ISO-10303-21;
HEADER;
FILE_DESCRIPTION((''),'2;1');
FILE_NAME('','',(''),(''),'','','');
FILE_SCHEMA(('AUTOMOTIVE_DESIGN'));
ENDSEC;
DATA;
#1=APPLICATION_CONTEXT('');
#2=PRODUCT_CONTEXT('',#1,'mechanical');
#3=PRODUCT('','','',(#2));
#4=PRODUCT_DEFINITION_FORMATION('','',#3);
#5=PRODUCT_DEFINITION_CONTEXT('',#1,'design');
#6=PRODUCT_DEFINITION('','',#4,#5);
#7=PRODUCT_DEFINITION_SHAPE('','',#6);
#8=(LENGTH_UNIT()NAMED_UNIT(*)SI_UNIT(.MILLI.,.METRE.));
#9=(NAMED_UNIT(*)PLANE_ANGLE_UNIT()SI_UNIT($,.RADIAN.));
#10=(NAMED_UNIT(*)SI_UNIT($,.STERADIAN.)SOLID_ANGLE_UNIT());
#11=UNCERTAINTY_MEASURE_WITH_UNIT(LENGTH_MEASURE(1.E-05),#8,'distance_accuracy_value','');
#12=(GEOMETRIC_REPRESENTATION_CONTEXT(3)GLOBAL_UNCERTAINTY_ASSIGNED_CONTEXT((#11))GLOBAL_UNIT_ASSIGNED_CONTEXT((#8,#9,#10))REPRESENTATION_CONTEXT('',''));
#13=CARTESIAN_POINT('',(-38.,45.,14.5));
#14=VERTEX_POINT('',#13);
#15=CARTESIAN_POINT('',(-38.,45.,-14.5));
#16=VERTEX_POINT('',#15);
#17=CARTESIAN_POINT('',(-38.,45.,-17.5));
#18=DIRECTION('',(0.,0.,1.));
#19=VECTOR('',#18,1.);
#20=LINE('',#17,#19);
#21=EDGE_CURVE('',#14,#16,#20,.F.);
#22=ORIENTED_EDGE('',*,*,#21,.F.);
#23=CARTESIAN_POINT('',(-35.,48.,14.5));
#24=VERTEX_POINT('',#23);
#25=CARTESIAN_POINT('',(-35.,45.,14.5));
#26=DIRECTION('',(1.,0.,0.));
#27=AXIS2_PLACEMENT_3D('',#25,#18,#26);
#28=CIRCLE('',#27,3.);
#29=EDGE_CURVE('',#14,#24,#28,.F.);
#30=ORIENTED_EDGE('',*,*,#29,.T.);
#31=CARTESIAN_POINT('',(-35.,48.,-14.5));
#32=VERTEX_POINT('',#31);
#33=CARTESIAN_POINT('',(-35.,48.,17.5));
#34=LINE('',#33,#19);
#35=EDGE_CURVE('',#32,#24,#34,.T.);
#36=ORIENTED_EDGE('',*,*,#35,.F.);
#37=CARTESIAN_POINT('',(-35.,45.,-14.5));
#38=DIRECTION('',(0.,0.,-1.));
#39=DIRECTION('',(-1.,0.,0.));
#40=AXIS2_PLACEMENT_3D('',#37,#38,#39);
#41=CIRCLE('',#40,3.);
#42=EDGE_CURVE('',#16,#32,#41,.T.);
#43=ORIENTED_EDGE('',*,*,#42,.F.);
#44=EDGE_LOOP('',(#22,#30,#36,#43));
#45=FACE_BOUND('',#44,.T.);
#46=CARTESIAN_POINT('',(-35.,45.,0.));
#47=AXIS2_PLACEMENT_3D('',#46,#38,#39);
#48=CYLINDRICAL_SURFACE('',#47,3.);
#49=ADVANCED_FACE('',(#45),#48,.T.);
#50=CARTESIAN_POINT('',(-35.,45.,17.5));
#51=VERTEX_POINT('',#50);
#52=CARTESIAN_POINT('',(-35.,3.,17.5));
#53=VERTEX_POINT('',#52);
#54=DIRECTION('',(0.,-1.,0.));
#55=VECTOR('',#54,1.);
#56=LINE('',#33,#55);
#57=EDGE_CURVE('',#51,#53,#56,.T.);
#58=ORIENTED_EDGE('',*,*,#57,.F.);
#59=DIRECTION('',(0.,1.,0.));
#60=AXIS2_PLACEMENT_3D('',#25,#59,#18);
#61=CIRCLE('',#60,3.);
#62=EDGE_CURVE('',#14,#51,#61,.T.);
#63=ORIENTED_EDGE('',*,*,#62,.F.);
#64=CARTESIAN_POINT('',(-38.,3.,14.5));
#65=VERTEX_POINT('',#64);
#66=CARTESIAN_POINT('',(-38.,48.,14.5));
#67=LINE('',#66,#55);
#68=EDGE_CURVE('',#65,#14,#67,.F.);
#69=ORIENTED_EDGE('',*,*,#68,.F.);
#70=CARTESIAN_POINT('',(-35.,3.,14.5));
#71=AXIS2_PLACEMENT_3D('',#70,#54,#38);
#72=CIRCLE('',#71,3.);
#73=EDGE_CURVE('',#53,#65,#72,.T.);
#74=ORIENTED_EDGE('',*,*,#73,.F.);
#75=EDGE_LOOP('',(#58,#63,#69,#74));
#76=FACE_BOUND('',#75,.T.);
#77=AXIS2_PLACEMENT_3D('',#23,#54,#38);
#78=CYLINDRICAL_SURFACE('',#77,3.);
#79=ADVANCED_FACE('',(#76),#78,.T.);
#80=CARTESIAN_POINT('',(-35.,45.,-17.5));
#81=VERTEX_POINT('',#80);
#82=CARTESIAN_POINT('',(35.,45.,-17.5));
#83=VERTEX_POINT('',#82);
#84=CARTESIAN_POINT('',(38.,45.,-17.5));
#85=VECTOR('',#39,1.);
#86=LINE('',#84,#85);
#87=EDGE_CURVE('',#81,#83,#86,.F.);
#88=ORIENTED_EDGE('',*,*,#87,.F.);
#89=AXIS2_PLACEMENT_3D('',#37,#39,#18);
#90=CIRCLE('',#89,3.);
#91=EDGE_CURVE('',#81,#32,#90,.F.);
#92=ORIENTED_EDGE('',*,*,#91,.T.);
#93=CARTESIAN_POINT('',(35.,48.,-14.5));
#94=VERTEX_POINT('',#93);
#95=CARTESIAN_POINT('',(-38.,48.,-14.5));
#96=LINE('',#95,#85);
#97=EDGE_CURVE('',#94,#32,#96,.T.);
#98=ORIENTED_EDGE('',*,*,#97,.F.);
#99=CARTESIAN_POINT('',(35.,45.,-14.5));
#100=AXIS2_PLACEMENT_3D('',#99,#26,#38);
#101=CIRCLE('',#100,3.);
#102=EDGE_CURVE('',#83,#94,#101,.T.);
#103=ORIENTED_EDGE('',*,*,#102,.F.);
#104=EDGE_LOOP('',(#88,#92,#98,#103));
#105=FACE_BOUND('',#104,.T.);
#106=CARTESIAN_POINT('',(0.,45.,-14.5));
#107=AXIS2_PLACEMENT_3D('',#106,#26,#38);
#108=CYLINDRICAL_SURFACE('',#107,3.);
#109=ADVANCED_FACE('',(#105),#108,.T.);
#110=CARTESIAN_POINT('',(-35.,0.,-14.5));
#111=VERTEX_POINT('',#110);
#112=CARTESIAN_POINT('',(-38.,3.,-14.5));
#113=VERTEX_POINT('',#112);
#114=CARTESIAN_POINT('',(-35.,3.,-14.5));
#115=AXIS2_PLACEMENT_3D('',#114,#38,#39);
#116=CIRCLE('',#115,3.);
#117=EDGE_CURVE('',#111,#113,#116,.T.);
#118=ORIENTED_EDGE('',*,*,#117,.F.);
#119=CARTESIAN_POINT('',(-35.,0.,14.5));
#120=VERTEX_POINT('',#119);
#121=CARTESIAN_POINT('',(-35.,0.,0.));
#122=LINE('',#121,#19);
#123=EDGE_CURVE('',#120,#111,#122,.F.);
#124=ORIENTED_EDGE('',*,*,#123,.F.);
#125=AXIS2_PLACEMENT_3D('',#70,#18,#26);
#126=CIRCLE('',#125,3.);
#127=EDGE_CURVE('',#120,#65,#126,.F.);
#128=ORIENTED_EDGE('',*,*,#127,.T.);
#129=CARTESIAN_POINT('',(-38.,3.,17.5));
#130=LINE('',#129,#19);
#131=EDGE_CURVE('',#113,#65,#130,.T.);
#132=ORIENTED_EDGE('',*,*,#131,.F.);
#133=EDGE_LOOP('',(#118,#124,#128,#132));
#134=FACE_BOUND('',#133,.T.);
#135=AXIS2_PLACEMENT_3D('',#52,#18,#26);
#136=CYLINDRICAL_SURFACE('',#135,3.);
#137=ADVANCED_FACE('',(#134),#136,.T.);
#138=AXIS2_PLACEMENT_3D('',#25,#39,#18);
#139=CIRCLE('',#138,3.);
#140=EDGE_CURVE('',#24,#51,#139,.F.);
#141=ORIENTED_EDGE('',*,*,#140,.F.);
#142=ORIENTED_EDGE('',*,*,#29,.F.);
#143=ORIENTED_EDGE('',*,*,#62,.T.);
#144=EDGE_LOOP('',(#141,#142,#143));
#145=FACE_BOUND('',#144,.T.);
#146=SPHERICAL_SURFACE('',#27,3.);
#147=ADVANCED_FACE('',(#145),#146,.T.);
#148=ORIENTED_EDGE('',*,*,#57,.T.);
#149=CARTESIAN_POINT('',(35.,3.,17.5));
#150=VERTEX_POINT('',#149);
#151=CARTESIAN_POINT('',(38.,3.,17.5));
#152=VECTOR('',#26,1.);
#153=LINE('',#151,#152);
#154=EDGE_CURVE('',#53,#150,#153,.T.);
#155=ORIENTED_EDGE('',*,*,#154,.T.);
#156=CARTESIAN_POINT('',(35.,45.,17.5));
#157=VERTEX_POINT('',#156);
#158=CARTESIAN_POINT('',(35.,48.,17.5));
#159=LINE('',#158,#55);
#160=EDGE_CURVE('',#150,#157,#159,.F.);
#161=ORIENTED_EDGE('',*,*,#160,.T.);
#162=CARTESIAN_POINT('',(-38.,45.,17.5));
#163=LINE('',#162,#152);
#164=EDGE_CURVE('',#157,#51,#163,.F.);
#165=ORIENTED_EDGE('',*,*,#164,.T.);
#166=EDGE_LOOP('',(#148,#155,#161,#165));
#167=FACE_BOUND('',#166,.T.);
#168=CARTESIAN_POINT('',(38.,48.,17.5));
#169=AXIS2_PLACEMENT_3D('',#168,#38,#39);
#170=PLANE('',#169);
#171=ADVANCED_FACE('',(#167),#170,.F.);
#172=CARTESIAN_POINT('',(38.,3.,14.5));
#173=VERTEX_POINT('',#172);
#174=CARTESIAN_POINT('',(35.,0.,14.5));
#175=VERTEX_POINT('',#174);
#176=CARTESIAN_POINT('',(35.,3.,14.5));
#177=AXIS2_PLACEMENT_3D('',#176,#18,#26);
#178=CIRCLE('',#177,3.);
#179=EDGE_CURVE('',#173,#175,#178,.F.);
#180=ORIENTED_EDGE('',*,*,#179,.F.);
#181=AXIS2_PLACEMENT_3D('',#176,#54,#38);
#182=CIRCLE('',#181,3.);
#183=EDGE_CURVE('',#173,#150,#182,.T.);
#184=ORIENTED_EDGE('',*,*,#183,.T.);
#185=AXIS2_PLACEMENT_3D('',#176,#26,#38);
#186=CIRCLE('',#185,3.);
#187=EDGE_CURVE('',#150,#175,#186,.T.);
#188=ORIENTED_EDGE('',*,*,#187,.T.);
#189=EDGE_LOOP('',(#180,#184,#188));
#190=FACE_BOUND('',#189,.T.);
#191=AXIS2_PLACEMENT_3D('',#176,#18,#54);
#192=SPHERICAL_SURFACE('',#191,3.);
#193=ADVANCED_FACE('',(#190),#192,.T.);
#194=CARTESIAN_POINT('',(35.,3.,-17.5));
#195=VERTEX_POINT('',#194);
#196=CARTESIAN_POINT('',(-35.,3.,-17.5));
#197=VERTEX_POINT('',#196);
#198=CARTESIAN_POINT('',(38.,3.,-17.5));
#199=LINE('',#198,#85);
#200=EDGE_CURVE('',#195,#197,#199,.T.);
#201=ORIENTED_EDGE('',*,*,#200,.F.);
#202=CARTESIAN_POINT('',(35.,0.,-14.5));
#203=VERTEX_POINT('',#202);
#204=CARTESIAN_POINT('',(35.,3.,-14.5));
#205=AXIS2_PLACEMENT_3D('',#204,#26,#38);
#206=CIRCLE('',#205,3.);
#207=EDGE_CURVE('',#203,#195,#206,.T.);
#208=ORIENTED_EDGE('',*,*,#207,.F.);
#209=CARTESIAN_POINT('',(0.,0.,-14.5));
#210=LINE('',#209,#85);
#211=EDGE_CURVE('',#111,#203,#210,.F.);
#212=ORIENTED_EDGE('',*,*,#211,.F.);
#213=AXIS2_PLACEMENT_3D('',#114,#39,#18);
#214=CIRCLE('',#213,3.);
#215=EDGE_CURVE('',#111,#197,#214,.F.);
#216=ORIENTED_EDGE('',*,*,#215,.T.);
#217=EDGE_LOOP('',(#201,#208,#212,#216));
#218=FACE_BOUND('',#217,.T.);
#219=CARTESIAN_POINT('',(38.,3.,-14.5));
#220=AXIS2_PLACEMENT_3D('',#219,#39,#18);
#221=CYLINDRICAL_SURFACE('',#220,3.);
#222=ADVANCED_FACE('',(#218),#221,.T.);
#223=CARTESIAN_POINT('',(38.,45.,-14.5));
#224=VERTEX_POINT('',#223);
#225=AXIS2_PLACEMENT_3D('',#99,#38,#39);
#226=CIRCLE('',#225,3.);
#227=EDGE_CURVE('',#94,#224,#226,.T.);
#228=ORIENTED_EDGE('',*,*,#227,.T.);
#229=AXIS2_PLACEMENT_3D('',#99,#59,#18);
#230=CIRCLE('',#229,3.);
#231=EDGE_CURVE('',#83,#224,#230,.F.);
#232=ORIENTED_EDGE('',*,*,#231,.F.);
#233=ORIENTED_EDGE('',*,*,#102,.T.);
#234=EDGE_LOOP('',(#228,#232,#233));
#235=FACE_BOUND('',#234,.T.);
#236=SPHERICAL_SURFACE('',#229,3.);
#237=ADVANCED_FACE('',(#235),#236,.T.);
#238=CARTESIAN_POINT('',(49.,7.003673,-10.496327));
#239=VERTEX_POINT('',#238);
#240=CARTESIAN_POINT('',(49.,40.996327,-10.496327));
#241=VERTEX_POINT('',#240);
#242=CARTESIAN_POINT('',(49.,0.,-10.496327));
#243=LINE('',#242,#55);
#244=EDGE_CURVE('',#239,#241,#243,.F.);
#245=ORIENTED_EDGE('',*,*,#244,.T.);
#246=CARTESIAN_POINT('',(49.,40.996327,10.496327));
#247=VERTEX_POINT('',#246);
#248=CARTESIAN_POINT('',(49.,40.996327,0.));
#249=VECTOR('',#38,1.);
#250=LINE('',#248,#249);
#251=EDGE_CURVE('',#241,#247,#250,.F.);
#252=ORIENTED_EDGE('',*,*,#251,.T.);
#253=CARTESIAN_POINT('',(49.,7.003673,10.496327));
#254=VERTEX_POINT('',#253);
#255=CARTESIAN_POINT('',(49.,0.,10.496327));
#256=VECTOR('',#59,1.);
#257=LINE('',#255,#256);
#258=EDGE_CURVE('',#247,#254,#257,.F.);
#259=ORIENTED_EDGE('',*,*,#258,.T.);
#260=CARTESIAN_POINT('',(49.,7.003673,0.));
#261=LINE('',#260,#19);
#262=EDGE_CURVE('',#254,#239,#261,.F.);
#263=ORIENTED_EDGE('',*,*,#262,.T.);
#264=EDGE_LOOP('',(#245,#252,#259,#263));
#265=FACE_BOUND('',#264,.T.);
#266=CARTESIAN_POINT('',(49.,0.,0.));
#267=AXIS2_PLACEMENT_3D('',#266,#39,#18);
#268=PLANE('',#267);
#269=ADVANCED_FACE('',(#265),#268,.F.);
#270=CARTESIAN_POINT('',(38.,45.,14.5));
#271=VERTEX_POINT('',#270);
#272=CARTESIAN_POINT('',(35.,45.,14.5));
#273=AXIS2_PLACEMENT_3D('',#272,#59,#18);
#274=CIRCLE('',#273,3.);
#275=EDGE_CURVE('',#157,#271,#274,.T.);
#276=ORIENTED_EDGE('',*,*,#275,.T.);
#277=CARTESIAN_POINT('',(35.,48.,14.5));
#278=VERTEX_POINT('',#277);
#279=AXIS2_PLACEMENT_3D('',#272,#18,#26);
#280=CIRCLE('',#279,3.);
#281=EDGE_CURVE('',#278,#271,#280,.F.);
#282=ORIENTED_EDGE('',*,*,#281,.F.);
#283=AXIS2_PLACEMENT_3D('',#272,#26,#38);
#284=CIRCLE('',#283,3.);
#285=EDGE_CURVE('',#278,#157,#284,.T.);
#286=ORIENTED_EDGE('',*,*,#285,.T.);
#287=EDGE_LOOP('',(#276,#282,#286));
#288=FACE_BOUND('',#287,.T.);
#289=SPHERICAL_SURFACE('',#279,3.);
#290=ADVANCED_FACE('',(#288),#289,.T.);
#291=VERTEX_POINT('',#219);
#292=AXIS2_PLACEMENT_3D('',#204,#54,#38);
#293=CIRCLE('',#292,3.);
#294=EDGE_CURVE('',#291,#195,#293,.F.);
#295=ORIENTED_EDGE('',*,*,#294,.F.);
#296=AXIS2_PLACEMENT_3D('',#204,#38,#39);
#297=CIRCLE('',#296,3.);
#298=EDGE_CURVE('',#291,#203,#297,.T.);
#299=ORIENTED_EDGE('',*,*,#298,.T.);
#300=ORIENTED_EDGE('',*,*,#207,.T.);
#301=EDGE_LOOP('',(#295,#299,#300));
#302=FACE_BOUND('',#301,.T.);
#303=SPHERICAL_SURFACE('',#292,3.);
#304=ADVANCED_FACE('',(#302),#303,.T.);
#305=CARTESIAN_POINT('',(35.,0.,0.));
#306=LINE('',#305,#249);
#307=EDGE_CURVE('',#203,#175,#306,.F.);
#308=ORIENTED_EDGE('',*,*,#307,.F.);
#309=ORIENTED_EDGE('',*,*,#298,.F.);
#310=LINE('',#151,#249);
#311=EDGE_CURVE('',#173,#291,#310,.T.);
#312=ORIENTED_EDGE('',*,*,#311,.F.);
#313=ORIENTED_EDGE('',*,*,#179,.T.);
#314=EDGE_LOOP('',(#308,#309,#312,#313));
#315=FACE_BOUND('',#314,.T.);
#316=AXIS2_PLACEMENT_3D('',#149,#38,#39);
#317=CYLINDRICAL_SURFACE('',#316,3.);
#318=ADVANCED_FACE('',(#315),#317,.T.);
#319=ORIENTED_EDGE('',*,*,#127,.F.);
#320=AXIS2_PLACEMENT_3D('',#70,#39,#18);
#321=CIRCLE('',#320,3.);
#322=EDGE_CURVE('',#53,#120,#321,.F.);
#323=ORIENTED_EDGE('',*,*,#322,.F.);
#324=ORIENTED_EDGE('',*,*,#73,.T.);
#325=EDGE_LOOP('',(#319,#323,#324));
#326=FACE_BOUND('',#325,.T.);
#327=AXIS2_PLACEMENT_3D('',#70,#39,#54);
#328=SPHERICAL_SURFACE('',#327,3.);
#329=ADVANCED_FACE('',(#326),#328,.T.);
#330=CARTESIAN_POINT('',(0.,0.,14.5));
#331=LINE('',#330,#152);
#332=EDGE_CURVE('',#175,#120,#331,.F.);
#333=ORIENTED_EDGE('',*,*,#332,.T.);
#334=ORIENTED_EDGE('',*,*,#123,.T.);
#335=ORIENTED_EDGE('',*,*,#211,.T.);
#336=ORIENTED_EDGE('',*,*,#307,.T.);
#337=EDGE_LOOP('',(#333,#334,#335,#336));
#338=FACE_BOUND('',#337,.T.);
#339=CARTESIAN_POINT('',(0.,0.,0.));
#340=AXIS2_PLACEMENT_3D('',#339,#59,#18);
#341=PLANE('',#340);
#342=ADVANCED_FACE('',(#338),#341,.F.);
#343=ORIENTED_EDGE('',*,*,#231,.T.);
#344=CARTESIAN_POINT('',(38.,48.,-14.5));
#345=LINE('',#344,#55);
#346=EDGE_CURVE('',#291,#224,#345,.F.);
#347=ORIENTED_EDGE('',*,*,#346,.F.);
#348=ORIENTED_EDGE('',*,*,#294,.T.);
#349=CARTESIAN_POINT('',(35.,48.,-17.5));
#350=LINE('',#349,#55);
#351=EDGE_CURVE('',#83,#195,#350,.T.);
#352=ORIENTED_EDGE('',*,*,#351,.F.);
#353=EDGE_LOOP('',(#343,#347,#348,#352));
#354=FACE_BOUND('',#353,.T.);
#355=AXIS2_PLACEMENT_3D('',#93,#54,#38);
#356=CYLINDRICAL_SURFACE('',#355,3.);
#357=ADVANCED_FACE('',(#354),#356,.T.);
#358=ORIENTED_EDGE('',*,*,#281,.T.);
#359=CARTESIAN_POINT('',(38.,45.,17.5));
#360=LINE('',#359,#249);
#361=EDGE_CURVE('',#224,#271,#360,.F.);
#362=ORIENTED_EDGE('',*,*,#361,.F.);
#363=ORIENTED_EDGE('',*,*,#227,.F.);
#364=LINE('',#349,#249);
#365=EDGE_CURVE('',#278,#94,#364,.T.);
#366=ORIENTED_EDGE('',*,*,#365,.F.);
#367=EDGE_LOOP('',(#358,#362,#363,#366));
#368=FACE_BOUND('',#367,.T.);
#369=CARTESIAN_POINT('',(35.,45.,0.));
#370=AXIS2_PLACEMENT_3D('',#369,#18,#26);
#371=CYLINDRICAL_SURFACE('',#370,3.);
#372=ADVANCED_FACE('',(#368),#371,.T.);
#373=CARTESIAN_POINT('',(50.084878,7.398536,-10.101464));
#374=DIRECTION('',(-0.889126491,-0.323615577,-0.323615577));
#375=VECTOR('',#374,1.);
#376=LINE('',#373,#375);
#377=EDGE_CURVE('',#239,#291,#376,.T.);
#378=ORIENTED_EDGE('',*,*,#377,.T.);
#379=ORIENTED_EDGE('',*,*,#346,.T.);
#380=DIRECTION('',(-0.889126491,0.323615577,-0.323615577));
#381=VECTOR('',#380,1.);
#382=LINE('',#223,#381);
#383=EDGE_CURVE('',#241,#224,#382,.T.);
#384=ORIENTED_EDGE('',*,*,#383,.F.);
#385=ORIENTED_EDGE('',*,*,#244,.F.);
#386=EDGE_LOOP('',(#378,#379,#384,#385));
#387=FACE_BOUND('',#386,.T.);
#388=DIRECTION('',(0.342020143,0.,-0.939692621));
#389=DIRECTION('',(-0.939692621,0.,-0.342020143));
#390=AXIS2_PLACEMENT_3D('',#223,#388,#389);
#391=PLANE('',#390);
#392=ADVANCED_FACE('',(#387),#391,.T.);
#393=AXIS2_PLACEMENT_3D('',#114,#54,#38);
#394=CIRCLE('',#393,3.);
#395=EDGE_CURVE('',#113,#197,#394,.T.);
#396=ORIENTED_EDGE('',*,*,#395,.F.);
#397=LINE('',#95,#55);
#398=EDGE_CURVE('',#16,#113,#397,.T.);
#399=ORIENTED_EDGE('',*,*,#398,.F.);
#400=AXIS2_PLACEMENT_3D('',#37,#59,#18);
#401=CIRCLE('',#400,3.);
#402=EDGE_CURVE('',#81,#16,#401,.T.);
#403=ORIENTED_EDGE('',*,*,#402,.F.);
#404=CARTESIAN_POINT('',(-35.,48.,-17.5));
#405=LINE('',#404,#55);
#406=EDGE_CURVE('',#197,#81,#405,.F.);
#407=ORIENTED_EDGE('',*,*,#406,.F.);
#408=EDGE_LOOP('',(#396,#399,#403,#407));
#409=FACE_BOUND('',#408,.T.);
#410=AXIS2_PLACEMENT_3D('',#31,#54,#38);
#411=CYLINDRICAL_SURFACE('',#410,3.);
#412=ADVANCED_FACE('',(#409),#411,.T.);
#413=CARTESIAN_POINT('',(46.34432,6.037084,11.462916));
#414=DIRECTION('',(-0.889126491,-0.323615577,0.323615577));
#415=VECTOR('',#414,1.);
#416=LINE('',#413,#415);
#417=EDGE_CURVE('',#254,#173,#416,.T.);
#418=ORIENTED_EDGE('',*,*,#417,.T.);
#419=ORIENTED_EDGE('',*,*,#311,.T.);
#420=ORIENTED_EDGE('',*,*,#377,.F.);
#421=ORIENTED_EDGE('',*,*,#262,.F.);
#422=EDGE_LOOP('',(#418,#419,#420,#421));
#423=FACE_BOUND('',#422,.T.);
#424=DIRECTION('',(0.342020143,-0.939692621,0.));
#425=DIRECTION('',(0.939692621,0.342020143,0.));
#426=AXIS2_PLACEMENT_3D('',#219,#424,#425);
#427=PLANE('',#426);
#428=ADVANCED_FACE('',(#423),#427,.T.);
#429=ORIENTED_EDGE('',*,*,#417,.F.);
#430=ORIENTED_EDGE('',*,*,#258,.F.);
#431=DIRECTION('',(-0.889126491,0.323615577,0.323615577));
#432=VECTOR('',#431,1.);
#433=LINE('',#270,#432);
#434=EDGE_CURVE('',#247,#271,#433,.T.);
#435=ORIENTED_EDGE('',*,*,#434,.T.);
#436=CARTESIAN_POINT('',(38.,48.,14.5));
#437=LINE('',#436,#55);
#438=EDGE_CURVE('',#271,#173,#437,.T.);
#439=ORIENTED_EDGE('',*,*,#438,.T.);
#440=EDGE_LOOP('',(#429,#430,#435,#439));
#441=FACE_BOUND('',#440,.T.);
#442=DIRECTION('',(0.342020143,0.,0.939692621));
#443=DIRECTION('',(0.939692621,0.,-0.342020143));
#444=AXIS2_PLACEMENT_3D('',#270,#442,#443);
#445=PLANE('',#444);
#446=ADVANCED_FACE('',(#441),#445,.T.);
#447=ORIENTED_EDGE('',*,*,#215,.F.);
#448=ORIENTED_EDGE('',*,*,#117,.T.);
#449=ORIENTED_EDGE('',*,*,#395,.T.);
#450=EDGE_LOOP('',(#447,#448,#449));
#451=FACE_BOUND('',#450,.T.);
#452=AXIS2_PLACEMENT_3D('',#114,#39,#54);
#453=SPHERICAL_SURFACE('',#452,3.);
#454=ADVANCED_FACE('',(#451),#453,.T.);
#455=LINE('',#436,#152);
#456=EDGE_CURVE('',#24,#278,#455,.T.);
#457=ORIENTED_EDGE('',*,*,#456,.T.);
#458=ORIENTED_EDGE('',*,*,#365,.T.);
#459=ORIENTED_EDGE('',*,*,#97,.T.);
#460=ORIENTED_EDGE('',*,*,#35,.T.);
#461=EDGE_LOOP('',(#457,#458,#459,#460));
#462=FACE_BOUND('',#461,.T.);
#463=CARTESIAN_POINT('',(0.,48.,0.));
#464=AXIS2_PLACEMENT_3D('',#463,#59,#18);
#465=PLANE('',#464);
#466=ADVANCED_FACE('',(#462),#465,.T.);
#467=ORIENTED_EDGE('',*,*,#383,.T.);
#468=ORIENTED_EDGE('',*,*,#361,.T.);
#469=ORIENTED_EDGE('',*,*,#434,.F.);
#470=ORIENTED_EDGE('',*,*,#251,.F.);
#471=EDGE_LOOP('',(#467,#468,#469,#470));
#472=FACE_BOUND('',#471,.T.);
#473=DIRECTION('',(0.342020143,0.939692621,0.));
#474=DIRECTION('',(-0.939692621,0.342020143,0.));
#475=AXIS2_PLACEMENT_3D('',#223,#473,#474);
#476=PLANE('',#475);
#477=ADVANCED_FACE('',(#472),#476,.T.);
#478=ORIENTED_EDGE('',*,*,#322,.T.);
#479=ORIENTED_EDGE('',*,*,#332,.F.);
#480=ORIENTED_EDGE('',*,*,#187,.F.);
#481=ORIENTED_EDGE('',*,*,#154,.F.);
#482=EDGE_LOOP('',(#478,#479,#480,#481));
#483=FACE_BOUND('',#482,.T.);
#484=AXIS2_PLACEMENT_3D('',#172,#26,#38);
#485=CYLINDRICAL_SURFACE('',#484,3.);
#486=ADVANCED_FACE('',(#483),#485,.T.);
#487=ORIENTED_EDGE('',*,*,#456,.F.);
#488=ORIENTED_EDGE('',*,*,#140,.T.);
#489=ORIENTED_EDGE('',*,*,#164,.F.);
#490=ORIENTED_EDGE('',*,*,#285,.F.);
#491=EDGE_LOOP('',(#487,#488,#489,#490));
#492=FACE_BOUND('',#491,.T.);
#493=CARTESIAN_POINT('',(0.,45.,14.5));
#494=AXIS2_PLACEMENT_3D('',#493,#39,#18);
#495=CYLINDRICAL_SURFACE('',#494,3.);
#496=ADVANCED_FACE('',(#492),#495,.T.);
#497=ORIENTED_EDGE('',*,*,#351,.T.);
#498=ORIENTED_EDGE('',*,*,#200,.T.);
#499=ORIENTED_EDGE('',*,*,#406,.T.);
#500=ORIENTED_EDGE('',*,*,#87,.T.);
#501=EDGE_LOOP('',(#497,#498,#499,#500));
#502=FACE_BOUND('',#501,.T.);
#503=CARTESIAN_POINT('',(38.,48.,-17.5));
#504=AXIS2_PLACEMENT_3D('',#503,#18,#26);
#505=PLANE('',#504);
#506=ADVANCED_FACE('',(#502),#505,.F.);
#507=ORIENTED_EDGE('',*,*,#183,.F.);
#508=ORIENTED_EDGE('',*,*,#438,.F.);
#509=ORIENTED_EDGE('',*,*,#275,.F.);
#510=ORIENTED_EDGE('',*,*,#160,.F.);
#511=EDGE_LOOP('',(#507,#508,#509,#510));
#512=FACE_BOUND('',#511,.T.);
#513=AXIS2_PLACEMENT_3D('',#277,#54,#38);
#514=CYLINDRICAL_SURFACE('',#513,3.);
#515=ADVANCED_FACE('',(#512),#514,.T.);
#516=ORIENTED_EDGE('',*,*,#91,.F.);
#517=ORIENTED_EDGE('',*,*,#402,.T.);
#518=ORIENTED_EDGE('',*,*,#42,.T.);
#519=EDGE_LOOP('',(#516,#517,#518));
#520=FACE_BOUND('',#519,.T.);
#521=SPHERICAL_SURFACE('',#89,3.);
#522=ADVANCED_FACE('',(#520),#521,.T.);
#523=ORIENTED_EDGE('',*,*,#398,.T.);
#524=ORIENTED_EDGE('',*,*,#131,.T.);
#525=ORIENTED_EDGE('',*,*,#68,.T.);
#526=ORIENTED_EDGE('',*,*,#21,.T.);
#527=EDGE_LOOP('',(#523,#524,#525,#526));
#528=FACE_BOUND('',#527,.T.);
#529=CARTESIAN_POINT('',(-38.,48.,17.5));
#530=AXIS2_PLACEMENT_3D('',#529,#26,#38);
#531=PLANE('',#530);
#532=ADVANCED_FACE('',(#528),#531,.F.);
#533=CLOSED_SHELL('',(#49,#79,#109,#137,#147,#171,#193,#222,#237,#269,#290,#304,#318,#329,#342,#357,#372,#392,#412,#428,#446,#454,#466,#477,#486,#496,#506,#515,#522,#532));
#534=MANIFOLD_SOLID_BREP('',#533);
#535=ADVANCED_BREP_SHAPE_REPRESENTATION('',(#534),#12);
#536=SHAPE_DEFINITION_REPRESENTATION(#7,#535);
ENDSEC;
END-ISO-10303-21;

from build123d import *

# Parameters (mm, degrees)
ESBO_O1_W                = 76
ESBO_O1_H                = 35
RESSALTO_EXTRUS_O1_DEPTH = 48
FILETE1_R                = 3
ESBO_O11_W               = 29
ESBO_O11_H               = 42
RESSALTO_EXTRUS_O2_DEPTH = 11
RESSALTO_EXTRUS_O2_TAPER = 20


with BuildPart() as part:
    # Esboço1 → Ressalto-extrusão1 (new body)
    with BuildSketch(Plane(origin=(0, 0, 0), x_dir=(1, 0, 0), z_dir=(0, 1, 0))):
        Rectangle(ESBO_O1_W, ESBO_O1_H)
    extrude(amount=RESSALTO_EXTRUS_O1_DEPTH)

    # Filete1
    filete1_edges = [part.edges().sort_by_distance(p)[0] for p in [
        (38, 48, 0),
        (0, 48, -17.5),
        (-38, 48, 0),
        (0, 0, -17.5),
        (38, 0, 0),
        (0, 0, 17.5),
        (-38, 0, 0),
        (-38, 24, -17.5),
        (38, 24, -17.5),
        (38, 24, 17.5),
        (-38, 24, 17.5),
        (0, 48, 17.5),
    ]]
    fillet(filete1_edges, radius=FILETE1_R)

    # Esboço11 → Ressalto-extrusão2 (add)
    with BuildSketch(Plane(origin=(38, 0, 0), x_dir=(0, 0, -1), z_dir=(1, 0, 0))):
        with Locations((0, 24)):
            Rectangle(ESBO_O11_W, ESBO_O11_H)
    extrude(amount=RESSALTO_EXTRUS_O2_DEPTH, taper=RESSALTO_EXTRUS_O2_TAPER)


solid = part.part
